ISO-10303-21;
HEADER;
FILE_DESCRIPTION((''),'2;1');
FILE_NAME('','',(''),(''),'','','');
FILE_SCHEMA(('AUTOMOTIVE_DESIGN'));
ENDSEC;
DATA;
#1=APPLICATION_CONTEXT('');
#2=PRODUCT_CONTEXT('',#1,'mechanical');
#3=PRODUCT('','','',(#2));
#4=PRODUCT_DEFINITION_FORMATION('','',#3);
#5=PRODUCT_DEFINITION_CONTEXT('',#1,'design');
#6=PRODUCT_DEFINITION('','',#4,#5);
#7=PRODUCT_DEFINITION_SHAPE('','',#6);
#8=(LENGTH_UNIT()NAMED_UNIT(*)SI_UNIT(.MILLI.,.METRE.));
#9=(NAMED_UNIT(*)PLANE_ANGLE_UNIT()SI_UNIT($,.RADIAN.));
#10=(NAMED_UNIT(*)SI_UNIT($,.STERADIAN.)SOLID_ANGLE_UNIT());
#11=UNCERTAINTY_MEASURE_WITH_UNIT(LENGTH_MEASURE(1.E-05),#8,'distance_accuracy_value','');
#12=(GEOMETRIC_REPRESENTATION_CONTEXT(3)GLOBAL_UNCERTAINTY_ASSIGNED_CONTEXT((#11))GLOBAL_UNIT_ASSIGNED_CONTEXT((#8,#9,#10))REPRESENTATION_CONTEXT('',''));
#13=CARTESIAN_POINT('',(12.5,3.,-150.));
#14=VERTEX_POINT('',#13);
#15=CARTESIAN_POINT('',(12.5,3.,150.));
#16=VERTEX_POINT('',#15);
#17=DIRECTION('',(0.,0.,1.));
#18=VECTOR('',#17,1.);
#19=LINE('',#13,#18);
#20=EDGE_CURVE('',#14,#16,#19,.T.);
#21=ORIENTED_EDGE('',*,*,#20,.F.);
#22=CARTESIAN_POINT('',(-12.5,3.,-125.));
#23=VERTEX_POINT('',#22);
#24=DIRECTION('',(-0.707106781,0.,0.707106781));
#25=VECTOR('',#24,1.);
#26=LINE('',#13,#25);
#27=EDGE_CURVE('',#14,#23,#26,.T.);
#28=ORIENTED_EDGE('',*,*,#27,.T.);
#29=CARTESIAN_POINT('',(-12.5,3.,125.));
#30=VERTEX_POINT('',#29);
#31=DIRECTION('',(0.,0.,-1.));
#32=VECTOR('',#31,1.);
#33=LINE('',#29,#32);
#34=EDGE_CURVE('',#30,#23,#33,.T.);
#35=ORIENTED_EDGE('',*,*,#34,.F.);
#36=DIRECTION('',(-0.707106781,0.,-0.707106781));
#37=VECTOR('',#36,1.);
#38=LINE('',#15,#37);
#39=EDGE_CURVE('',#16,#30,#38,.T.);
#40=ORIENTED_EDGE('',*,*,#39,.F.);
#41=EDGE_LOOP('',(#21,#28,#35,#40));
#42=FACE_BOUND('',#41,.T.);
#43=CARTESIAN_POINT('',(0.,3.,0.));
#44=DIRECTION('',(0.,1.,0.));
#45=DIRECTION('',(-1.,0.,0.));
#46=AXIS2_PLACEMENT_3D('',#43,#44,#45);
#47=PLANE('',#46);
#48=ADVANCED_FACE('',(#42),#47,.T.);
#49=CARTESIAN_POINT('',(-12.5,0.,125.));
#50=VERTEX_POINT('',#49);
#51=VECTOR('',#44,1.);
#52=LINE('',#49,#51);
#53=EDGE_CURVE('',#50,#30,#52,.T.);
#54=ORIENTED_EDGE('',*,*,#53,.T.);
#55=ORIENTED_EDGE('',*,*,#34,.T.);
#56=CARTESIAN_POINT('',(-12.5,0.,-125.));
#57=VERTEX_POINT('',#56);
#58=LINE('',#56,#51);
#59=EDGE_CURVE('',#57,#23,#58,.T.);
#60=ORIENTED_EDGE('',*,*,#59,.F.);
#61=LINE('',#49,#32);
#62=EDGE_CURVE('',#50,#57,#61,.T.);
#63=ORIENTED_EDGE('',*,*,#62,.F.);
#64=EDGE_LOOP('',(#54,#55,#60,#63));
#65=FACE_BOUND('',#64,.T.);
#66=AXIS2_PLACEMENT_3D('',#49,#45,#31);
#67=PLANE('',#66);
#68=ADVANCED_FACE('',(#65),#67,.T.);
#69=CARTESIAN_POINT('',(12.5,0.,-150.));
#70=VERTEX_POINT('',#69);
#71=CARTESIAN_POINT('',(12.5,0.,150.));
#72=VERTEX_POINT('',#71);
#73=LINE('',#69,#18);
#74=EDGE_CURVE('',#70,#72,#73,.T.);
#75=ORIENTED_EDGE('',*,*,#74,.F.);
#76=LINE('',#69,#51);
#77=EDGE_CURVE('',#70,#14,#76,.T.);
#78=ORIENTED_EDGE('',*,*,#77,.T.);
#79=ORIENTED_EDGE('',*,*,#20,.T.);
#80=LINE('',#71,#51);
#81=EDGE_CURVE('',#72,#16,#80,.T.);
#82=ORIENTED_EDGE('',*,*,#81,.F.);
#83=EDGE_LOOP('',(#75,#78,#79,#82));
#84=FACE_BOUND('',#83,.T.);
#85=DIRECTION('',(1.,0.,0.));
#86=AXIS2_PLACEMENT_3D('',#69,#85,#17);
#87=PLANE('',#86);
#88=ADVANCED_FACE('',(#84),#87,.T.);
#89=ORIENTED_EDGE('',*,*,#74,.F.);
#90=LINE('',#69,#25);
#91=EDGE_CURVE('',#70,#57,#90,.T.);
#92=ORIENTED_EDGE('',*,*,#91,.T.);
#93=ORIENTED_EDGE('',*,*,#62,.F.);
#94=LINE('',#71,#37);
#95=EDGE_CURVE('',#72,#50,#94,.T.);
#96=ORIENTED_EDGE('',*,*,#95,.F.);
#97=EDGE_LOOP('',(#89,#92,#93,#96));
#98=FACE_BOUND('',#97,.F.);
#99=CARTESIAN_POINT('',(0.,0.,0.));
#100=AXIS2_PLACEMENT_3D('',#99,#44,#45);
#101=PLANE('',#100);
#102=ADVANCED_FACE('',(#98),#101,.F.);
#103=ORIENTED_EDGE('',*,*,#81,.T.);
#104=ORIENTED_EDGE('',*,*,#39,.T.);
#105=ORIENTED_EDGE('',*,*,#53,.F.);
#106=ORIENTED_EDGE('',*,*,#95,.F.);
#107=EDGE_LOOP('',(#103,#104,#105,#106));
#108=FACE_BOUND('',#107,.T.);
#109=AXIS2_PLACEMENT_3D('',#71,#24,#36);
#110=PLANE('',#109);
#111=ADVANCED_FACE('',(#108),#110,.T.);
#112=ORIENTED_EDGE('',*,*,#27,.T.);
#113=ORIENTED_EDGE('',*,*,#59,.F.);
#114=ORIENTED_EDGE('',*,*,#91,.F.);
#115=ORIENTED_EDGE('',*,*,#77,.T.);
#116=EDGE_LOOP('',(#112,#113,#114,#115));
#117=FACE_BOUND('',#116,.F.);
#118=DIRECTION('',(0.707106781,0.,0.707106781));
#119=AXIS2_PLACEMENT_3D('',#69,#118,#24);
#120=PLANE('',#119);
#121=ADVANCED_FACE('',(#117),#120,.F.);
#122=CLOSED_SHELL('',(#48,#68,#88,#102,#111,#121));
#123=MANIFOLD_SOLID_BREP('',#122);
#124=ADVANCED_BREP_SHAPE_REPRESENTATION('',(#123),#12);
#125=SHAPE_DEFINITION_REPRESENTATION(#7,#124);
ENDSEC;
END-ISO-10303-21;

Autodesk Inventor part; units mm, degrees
ref_plane "YZ Plane" through (0, 0, 0) normal (1, 0, 0) x (0, 1, 0)
ref_plane "XZ Plane" through (0, 0, 0) normal (0, 1, 0) x (-1, 0, 0)
ref_plane "XY Plane" through (0, 0, 0) normal (0, 0, 1) x (1, 0, 0)
sketch "Skizze1" plane through (0, 0, 0) normal (0, 1, 0) x (-1, 0, 0)
  line L0 (12.5, 125) -> (12.5, -125)
  line L1 (-12.5, -150) -> (-12.5, 150)
  line L2 (-12.5, 150) -> (10.5769, -126.9231) construction
  line L3 (12.5, 150) -> (-12.5, -150) construction
  line L4 (-12.5, 150) -> (12.5, 125)
  line L5 (-12.5, -150) -> (12.5, -125)
  point P0 (0, 0)
  dimension "d5" = 45
  dimension "d7" = 45
  dimension "d8" = 300
  dimension "d9" = 25
extrude "Extrusion1" add sketch "Skizze1" along normal blind 3
properties part number "EdgeCover" material "Holz (Walnuss)"
